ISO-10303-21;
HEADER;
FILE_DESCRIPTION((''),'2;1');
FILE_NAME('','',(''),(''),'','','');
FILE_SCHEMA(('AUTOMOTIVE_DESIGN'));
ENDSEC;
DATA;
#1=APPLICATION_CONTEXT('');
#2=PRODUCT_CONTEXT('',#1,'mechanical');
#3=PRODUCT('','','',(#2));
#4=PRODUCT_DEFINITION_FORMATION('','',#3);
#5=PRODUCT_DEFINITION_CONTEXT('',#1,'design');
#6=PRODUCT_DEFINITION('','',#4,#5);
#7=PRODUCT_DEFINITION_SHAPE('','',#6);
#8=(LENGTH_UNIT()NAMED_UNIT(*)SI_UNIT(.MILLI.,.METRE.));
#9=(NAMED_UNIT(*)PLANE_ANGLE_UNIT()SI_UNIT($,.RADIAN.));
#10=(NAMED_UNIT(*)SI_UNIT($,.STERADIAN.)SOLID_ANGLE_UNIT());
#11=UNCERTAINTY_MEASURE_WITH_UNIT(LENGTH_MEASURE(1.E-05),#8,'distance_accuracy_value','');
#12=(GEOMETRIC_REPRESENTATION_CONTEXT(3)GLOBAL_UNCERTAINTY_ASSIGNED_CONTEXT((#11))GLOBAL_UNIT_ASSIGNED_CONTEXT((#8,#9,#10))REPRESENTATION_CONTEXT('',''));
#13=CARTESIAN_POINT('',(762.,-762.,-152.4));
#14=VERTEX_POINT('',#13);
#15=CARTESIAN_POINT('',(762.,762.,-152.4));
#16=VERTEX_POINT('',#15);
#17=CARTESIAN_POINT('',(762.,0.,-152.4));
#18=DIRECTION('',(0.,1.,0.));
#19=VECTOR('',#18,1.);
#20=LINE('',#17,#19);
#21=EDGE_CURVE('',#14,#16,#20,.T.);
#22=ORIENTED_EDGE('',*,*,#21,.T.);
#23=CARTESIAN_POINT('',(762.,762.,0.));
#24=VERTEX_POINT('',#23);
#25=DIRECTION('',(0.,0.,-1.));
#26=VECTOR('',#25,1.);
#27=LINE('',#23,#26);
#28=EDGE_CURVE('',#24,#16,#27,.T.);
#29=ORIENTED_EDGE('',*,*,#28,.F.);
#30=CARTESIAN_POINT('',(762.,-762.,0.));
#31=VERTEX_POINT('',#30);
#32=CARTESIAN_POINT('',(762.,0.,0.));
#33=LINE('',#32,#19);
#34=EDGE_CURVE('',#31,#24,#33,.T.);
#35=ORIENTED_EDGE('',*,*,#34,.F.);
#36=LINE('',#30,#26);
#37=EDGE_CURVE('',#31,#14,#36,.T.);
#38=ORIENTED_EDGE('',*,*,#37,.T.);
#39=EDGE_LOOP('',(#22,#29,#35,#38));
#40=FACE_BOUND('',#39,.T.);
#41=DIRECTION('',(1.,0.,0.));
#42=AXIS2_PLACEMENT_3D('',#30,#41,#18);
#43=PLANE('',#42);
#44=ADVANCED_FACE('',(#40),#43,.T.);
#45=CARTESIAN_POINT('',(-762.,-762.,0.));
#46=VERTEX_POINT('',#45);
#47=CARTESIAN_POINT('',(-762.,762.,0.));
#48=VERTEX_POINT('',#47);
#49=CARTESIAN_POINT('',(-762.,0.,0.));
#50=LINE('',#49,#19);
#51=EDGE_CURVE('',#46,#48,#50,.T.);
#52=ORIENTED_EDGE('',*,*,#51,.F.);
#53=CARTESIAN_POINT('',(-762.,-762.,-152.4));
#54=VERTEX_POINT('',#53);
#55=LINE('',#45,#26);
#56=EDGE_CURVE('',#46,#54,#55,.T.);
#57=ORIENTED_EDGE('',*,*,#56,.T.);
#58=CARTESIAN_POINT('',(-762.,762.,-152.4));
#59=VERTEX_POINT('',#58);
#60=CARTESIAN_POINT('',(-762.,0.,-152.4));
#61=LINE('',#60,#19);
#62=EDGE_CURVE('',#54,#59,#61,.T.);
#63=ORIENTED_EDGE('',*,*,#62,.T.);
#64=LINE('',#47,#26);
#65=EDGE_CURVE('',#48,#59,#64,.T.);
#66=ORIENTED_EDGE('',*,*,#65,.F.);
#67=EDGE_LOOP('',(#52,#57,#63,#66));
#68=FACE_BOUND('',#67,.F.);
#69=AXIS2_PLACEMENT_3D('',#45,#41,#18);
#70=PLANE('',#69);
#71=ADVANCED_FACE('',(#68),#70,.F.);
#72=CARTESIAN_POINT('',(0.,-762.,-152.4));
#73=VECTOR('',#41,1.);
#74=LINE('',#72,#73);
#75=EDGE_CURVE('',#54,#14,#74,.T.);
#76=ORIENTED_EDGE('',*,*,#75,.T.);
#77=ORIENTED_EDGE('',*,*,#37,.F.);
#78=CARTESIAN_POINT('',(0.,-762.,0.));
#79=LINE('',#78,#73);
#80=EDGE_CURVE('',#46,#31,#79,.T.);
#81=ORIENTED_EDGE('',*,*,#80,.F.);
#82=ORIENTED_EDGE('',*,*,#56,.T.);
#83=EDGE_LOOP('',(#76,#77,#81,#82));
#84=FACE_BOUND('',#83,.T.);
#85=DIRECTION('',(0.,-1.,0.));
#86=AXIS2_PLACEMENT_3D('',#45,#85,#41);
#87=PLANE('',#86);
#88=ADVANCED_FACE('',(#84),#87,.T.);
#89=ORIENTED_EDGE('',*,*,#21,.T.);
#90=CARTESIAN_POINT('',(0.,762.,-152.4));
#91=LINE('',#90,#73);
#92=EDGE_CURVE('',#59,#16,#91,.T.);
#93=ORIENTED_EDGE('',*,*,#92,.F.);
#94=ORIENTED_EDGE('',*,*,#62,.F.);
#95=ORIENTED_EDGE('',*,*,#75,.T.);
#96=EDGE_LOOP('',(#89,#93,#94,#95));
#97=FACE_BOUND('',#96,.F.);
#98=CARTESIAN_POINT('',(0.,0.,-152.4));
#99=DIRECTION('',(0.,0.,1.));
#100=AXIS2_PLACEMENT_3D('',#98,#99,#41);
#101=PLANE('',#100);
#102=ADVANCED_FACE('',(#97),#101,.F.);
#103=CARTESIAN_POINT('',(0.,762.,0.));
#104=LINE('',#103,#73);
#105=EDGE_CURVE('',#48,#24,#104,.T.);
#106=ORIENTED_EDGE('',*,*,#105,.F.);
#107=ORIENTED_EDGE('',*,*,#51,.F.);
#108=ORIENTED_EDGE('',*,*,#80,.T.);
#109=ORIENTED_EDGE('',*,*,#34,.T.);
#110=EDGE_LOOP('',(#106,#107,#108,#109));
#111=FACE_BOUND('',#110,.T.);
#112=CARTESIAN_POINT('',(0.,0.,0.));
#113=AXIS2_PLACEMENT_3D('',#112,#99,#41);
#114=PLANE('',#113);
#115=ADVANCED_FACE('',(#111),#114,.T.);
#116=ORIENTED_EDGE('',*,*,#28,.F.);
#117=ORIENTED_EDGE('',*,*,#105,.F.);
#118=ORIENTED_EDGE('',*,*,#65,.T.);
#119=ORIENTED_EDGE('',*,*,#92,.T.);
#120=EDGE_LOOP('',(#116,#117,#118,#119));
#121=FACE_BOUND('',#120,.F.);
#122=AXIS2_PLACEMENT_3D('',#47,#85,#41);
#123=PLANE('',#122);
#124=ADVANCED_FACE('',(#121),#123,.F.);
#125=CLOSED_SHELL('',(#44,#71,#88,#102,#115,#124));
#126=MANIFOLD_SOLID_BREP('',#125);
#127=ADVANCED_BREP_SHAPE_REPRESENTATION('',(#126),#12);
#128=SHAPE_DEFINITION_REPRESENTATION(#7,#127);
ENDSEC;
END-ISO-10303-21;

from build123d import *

# Parameters (mm, degrees)
F0_W     = 1524
F0_H     = 1524
F1_DEPTH = 152.4
F2_R     = 88.9
F3_DEPTH = 2.54


with BuildPart() as f1:
    # F0 (on Top) → F1 (new body)
    with BuildSketch(Plane.XY):
        Rectangle(F0_W, F0_H)
    extrude(amount=-F1_DEPTH)

    # F2 (on face) → F3 (cut)
    with BuildSketch(Plane.XY):
        with Locations((-1320.8, 0)):
            Circle(F2_R)
    extrude(amount=-F3_DEPTH, mode=Mode.SUBTRACT)


solid = f1.part
